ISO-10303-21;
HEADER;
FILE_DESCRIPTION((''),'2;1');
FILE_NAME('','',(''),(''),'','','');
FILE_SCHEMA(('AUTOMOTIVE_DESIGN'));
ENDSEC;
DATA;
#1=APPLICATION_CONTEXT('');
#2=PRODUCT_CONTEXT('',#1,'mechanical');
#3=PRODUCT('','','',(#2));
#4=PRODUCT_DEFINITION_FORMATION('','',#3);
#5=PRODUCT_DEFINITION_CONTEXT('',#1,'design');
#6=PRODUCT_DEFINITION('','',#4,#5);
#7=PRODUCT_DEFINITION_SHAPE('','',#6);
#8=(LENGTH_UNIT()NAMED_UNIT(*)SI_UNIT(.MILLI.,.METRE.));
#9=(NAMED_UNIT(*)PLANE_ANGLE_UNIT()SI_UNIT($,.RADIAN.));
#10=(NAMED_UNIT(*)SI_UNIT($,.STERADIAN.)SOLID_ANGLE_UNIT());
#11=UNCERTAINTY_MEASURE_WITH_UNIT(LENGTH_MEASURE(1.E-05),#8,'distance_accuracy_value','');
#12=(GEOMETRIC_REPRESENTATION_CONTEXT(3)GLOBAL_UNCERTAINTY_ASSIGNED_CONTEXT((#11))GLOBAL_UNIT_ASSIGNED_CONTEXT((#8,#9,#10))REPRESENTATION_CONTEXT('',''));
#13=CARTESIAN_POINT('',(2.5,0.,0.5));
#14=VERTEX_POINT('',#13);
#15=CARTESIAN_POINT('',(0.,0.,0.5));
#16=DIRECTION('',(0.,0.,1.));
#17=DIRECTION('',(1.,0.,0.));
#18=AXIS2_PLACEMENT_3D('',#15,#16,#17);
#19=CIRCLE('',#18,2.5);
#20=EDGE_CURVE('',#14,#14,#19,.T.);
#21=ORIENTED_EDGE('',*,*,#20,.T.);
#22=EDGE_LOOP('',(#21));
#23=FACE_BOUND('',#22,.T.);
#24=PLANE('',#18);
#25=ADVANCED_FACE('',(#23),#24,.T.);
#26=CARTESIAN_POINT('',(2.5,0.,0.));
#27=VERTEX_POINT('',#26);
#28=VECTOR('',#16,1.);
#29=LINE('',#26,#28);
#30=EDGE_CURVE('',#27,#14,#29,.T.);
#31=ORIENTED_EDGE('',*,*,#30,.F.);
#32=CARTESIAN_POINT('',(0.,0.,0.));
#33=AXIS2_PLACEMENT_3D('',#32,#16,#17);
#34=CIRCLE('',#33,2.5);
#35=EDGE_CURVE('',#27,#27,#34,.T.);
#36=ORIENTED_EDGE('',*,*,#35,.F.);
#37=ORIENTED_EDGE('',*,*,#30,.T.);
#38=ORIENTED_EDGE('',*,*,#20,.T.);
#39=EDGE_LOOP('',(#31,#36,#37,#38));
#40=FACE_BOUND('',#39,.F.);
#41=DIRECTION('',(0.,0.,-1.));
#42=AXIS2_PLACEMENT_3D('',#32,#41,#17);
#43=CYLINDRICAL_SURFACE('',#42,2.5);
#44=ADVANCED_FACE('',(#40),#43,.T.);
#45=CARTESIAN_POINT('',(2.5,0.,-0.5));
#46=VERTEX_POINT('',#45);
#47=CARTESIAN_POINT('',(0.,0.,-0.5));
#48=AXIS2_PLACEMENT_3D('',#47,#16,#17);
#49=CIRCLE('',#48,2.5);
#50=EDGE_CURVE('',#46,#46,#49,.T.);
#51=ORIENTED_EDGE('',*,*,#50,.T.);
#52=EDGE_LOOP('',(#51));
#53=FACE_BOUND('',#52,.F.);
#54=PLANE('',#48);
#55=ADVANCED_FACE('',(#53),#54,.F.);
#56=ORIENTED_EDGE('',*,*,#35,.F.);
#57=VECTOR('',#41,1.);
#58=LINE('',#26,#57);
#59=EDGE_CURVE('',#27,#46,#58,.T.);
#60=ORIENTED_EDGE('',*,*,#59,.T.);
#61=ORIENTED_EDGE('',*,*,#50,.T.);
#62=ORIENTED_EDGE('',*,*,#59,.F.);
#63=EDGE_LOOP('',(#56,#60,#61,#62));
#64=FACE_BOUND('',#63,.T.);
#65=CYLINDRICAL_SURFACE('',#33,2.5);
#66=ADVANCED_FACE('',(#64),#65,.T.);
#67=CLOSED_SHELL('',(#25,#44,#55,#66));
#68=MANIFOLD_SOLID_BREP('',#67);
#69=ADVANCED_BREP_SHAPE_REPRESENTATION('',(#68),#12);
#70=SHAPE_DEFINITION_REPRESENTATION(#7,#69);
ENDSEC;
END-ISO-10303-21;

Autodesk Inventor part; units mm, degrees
ref_plane "YZ Plane" through (0, 0, 0) normal (1, 0, 0) x (0, 1, 0)
ref_plane "XZ Plane" through (0, 0, 0) normal (0, 1, 0) x (-1, 0, 0)
ref_plane "XY Plane" through (0, 0, 0) normal (0, 0, 1) x (1, 0, 0)
sketch "Esboço1" plane through (0, 0, 0) normal (0, 0, 1) x (1, 0, 0)
  circle A0 centre (0, 0) radius 2.5
  dimension "d0" = 5
extrude "Extrusão1" add sketch "Esboço1" along normal mid plane 1
properties part number "Trava"
